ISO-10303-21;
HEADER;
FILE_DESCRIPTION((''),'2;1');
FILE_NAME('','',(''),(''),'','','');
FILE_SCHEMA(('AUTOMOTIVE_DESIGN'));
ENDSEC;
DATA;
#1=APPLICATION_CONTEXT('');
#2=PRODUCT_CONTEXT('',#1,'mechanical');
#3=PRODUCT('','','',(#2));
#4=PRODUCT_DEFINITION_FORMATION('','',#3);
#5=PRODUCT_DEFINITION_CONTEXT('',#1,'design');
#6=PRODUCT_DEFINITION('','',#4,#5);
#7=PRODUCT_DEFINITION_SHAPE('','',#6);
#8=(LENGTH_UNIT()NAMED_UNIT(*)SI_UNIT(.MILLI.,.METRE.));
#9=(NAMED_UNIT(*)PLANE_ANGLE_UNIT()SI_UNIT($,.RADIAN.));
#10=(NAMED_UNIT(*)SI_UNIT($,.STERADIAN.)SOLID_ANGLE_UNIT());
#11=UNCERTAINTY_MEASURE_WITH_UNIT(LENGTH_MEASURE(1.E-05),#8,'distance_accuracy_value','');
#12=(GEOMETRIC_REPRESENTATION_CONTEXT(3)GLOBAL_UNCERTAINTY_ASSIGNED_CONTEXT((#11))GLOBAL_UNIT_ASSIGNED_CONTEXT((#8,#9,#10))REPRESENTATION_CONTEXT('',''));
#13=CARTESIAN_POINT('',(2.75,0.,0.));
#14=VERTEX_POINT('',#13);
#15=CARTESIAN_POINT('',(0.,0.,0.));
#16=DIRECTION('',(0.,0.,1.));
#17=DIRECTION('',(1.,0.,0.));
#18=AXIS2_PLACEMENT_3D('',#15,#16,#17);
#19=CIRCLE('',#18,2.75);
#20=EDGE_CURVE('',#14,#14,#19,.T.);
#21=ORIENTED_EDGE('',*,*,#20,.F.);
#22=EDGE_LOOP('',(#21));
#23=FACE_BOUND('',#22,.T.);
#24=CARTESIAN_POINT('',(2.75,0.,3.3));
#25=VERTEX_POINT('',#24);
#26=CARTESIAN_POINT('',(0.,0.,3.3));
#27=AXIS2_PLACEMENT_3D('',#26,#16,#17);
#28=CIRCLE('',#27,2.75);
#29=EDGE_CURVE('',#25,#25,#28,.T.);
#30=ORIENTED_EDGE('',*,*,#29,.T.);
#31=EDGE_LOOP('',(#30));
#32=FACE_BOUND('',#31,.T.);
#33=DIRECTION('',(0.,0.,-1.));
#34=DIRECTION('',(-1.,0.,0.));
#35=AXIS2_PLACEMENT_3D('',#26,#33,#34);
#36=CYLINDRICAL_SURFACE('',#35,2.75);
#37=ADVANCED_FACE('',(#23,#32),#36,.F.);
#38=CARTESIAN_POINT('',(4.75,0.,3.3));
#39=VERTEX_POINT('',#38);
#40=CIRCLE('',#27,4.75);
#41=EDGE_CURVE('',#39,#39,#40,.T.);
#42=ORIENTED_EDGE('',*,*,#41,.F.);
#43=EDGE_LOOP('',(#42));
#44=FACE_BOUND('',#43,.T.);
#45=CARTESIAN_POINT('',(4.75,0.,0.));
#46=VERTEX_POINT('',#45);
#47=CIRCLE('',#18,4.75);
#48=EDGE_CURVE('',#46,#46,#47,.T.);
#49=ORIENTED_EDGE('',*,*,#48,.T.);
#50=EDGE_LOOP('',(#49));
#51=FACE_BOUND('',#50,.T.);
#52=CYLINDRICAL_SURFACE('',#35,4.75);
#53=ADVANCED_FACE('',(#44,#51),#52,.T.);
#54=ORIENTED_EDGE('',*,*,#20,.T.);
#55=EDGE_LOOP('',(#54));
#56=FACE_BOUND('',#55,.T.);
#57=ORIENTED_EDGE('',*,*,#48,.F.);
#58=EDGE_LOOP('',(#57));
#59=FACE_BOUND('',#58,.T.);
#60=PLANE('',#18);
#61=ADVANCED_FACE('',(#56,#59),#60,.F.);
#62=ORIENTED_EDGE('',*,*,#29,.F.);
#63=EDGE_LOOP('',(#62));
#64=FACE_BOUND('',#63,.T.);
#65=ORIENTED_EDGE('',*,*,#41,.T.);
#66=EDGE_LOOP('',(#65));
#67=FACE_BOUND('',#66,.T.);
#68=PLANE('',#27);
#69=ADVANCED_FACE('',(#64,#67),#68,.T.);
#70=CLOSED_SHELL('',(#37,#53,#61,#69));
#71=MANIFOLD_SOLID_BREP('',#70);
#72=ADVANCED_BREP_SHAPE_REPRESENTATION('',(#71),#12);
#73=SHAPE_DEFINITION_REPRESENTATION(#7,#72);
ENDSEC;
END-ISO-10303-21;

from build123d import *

# Parameters (mm, degrees)
SKETCH1_R           = 4.75
SKETCH1_R_2         = 2.75
BOSS_EXTRUDE1_DEPTH = 3.3


with BuildPart() as part:
    # Sketch1 → Boss-Extrude1 (new body)
    with BuildSketch(Plane.XY):
        Circle(SKETCH1_R)
        Circle(SKETCH1_R_2, mode=Mode.SUBTRACT)
    extrude(amount=BOSS_EXTRUDE1_DEPTH)


solid = part.part
